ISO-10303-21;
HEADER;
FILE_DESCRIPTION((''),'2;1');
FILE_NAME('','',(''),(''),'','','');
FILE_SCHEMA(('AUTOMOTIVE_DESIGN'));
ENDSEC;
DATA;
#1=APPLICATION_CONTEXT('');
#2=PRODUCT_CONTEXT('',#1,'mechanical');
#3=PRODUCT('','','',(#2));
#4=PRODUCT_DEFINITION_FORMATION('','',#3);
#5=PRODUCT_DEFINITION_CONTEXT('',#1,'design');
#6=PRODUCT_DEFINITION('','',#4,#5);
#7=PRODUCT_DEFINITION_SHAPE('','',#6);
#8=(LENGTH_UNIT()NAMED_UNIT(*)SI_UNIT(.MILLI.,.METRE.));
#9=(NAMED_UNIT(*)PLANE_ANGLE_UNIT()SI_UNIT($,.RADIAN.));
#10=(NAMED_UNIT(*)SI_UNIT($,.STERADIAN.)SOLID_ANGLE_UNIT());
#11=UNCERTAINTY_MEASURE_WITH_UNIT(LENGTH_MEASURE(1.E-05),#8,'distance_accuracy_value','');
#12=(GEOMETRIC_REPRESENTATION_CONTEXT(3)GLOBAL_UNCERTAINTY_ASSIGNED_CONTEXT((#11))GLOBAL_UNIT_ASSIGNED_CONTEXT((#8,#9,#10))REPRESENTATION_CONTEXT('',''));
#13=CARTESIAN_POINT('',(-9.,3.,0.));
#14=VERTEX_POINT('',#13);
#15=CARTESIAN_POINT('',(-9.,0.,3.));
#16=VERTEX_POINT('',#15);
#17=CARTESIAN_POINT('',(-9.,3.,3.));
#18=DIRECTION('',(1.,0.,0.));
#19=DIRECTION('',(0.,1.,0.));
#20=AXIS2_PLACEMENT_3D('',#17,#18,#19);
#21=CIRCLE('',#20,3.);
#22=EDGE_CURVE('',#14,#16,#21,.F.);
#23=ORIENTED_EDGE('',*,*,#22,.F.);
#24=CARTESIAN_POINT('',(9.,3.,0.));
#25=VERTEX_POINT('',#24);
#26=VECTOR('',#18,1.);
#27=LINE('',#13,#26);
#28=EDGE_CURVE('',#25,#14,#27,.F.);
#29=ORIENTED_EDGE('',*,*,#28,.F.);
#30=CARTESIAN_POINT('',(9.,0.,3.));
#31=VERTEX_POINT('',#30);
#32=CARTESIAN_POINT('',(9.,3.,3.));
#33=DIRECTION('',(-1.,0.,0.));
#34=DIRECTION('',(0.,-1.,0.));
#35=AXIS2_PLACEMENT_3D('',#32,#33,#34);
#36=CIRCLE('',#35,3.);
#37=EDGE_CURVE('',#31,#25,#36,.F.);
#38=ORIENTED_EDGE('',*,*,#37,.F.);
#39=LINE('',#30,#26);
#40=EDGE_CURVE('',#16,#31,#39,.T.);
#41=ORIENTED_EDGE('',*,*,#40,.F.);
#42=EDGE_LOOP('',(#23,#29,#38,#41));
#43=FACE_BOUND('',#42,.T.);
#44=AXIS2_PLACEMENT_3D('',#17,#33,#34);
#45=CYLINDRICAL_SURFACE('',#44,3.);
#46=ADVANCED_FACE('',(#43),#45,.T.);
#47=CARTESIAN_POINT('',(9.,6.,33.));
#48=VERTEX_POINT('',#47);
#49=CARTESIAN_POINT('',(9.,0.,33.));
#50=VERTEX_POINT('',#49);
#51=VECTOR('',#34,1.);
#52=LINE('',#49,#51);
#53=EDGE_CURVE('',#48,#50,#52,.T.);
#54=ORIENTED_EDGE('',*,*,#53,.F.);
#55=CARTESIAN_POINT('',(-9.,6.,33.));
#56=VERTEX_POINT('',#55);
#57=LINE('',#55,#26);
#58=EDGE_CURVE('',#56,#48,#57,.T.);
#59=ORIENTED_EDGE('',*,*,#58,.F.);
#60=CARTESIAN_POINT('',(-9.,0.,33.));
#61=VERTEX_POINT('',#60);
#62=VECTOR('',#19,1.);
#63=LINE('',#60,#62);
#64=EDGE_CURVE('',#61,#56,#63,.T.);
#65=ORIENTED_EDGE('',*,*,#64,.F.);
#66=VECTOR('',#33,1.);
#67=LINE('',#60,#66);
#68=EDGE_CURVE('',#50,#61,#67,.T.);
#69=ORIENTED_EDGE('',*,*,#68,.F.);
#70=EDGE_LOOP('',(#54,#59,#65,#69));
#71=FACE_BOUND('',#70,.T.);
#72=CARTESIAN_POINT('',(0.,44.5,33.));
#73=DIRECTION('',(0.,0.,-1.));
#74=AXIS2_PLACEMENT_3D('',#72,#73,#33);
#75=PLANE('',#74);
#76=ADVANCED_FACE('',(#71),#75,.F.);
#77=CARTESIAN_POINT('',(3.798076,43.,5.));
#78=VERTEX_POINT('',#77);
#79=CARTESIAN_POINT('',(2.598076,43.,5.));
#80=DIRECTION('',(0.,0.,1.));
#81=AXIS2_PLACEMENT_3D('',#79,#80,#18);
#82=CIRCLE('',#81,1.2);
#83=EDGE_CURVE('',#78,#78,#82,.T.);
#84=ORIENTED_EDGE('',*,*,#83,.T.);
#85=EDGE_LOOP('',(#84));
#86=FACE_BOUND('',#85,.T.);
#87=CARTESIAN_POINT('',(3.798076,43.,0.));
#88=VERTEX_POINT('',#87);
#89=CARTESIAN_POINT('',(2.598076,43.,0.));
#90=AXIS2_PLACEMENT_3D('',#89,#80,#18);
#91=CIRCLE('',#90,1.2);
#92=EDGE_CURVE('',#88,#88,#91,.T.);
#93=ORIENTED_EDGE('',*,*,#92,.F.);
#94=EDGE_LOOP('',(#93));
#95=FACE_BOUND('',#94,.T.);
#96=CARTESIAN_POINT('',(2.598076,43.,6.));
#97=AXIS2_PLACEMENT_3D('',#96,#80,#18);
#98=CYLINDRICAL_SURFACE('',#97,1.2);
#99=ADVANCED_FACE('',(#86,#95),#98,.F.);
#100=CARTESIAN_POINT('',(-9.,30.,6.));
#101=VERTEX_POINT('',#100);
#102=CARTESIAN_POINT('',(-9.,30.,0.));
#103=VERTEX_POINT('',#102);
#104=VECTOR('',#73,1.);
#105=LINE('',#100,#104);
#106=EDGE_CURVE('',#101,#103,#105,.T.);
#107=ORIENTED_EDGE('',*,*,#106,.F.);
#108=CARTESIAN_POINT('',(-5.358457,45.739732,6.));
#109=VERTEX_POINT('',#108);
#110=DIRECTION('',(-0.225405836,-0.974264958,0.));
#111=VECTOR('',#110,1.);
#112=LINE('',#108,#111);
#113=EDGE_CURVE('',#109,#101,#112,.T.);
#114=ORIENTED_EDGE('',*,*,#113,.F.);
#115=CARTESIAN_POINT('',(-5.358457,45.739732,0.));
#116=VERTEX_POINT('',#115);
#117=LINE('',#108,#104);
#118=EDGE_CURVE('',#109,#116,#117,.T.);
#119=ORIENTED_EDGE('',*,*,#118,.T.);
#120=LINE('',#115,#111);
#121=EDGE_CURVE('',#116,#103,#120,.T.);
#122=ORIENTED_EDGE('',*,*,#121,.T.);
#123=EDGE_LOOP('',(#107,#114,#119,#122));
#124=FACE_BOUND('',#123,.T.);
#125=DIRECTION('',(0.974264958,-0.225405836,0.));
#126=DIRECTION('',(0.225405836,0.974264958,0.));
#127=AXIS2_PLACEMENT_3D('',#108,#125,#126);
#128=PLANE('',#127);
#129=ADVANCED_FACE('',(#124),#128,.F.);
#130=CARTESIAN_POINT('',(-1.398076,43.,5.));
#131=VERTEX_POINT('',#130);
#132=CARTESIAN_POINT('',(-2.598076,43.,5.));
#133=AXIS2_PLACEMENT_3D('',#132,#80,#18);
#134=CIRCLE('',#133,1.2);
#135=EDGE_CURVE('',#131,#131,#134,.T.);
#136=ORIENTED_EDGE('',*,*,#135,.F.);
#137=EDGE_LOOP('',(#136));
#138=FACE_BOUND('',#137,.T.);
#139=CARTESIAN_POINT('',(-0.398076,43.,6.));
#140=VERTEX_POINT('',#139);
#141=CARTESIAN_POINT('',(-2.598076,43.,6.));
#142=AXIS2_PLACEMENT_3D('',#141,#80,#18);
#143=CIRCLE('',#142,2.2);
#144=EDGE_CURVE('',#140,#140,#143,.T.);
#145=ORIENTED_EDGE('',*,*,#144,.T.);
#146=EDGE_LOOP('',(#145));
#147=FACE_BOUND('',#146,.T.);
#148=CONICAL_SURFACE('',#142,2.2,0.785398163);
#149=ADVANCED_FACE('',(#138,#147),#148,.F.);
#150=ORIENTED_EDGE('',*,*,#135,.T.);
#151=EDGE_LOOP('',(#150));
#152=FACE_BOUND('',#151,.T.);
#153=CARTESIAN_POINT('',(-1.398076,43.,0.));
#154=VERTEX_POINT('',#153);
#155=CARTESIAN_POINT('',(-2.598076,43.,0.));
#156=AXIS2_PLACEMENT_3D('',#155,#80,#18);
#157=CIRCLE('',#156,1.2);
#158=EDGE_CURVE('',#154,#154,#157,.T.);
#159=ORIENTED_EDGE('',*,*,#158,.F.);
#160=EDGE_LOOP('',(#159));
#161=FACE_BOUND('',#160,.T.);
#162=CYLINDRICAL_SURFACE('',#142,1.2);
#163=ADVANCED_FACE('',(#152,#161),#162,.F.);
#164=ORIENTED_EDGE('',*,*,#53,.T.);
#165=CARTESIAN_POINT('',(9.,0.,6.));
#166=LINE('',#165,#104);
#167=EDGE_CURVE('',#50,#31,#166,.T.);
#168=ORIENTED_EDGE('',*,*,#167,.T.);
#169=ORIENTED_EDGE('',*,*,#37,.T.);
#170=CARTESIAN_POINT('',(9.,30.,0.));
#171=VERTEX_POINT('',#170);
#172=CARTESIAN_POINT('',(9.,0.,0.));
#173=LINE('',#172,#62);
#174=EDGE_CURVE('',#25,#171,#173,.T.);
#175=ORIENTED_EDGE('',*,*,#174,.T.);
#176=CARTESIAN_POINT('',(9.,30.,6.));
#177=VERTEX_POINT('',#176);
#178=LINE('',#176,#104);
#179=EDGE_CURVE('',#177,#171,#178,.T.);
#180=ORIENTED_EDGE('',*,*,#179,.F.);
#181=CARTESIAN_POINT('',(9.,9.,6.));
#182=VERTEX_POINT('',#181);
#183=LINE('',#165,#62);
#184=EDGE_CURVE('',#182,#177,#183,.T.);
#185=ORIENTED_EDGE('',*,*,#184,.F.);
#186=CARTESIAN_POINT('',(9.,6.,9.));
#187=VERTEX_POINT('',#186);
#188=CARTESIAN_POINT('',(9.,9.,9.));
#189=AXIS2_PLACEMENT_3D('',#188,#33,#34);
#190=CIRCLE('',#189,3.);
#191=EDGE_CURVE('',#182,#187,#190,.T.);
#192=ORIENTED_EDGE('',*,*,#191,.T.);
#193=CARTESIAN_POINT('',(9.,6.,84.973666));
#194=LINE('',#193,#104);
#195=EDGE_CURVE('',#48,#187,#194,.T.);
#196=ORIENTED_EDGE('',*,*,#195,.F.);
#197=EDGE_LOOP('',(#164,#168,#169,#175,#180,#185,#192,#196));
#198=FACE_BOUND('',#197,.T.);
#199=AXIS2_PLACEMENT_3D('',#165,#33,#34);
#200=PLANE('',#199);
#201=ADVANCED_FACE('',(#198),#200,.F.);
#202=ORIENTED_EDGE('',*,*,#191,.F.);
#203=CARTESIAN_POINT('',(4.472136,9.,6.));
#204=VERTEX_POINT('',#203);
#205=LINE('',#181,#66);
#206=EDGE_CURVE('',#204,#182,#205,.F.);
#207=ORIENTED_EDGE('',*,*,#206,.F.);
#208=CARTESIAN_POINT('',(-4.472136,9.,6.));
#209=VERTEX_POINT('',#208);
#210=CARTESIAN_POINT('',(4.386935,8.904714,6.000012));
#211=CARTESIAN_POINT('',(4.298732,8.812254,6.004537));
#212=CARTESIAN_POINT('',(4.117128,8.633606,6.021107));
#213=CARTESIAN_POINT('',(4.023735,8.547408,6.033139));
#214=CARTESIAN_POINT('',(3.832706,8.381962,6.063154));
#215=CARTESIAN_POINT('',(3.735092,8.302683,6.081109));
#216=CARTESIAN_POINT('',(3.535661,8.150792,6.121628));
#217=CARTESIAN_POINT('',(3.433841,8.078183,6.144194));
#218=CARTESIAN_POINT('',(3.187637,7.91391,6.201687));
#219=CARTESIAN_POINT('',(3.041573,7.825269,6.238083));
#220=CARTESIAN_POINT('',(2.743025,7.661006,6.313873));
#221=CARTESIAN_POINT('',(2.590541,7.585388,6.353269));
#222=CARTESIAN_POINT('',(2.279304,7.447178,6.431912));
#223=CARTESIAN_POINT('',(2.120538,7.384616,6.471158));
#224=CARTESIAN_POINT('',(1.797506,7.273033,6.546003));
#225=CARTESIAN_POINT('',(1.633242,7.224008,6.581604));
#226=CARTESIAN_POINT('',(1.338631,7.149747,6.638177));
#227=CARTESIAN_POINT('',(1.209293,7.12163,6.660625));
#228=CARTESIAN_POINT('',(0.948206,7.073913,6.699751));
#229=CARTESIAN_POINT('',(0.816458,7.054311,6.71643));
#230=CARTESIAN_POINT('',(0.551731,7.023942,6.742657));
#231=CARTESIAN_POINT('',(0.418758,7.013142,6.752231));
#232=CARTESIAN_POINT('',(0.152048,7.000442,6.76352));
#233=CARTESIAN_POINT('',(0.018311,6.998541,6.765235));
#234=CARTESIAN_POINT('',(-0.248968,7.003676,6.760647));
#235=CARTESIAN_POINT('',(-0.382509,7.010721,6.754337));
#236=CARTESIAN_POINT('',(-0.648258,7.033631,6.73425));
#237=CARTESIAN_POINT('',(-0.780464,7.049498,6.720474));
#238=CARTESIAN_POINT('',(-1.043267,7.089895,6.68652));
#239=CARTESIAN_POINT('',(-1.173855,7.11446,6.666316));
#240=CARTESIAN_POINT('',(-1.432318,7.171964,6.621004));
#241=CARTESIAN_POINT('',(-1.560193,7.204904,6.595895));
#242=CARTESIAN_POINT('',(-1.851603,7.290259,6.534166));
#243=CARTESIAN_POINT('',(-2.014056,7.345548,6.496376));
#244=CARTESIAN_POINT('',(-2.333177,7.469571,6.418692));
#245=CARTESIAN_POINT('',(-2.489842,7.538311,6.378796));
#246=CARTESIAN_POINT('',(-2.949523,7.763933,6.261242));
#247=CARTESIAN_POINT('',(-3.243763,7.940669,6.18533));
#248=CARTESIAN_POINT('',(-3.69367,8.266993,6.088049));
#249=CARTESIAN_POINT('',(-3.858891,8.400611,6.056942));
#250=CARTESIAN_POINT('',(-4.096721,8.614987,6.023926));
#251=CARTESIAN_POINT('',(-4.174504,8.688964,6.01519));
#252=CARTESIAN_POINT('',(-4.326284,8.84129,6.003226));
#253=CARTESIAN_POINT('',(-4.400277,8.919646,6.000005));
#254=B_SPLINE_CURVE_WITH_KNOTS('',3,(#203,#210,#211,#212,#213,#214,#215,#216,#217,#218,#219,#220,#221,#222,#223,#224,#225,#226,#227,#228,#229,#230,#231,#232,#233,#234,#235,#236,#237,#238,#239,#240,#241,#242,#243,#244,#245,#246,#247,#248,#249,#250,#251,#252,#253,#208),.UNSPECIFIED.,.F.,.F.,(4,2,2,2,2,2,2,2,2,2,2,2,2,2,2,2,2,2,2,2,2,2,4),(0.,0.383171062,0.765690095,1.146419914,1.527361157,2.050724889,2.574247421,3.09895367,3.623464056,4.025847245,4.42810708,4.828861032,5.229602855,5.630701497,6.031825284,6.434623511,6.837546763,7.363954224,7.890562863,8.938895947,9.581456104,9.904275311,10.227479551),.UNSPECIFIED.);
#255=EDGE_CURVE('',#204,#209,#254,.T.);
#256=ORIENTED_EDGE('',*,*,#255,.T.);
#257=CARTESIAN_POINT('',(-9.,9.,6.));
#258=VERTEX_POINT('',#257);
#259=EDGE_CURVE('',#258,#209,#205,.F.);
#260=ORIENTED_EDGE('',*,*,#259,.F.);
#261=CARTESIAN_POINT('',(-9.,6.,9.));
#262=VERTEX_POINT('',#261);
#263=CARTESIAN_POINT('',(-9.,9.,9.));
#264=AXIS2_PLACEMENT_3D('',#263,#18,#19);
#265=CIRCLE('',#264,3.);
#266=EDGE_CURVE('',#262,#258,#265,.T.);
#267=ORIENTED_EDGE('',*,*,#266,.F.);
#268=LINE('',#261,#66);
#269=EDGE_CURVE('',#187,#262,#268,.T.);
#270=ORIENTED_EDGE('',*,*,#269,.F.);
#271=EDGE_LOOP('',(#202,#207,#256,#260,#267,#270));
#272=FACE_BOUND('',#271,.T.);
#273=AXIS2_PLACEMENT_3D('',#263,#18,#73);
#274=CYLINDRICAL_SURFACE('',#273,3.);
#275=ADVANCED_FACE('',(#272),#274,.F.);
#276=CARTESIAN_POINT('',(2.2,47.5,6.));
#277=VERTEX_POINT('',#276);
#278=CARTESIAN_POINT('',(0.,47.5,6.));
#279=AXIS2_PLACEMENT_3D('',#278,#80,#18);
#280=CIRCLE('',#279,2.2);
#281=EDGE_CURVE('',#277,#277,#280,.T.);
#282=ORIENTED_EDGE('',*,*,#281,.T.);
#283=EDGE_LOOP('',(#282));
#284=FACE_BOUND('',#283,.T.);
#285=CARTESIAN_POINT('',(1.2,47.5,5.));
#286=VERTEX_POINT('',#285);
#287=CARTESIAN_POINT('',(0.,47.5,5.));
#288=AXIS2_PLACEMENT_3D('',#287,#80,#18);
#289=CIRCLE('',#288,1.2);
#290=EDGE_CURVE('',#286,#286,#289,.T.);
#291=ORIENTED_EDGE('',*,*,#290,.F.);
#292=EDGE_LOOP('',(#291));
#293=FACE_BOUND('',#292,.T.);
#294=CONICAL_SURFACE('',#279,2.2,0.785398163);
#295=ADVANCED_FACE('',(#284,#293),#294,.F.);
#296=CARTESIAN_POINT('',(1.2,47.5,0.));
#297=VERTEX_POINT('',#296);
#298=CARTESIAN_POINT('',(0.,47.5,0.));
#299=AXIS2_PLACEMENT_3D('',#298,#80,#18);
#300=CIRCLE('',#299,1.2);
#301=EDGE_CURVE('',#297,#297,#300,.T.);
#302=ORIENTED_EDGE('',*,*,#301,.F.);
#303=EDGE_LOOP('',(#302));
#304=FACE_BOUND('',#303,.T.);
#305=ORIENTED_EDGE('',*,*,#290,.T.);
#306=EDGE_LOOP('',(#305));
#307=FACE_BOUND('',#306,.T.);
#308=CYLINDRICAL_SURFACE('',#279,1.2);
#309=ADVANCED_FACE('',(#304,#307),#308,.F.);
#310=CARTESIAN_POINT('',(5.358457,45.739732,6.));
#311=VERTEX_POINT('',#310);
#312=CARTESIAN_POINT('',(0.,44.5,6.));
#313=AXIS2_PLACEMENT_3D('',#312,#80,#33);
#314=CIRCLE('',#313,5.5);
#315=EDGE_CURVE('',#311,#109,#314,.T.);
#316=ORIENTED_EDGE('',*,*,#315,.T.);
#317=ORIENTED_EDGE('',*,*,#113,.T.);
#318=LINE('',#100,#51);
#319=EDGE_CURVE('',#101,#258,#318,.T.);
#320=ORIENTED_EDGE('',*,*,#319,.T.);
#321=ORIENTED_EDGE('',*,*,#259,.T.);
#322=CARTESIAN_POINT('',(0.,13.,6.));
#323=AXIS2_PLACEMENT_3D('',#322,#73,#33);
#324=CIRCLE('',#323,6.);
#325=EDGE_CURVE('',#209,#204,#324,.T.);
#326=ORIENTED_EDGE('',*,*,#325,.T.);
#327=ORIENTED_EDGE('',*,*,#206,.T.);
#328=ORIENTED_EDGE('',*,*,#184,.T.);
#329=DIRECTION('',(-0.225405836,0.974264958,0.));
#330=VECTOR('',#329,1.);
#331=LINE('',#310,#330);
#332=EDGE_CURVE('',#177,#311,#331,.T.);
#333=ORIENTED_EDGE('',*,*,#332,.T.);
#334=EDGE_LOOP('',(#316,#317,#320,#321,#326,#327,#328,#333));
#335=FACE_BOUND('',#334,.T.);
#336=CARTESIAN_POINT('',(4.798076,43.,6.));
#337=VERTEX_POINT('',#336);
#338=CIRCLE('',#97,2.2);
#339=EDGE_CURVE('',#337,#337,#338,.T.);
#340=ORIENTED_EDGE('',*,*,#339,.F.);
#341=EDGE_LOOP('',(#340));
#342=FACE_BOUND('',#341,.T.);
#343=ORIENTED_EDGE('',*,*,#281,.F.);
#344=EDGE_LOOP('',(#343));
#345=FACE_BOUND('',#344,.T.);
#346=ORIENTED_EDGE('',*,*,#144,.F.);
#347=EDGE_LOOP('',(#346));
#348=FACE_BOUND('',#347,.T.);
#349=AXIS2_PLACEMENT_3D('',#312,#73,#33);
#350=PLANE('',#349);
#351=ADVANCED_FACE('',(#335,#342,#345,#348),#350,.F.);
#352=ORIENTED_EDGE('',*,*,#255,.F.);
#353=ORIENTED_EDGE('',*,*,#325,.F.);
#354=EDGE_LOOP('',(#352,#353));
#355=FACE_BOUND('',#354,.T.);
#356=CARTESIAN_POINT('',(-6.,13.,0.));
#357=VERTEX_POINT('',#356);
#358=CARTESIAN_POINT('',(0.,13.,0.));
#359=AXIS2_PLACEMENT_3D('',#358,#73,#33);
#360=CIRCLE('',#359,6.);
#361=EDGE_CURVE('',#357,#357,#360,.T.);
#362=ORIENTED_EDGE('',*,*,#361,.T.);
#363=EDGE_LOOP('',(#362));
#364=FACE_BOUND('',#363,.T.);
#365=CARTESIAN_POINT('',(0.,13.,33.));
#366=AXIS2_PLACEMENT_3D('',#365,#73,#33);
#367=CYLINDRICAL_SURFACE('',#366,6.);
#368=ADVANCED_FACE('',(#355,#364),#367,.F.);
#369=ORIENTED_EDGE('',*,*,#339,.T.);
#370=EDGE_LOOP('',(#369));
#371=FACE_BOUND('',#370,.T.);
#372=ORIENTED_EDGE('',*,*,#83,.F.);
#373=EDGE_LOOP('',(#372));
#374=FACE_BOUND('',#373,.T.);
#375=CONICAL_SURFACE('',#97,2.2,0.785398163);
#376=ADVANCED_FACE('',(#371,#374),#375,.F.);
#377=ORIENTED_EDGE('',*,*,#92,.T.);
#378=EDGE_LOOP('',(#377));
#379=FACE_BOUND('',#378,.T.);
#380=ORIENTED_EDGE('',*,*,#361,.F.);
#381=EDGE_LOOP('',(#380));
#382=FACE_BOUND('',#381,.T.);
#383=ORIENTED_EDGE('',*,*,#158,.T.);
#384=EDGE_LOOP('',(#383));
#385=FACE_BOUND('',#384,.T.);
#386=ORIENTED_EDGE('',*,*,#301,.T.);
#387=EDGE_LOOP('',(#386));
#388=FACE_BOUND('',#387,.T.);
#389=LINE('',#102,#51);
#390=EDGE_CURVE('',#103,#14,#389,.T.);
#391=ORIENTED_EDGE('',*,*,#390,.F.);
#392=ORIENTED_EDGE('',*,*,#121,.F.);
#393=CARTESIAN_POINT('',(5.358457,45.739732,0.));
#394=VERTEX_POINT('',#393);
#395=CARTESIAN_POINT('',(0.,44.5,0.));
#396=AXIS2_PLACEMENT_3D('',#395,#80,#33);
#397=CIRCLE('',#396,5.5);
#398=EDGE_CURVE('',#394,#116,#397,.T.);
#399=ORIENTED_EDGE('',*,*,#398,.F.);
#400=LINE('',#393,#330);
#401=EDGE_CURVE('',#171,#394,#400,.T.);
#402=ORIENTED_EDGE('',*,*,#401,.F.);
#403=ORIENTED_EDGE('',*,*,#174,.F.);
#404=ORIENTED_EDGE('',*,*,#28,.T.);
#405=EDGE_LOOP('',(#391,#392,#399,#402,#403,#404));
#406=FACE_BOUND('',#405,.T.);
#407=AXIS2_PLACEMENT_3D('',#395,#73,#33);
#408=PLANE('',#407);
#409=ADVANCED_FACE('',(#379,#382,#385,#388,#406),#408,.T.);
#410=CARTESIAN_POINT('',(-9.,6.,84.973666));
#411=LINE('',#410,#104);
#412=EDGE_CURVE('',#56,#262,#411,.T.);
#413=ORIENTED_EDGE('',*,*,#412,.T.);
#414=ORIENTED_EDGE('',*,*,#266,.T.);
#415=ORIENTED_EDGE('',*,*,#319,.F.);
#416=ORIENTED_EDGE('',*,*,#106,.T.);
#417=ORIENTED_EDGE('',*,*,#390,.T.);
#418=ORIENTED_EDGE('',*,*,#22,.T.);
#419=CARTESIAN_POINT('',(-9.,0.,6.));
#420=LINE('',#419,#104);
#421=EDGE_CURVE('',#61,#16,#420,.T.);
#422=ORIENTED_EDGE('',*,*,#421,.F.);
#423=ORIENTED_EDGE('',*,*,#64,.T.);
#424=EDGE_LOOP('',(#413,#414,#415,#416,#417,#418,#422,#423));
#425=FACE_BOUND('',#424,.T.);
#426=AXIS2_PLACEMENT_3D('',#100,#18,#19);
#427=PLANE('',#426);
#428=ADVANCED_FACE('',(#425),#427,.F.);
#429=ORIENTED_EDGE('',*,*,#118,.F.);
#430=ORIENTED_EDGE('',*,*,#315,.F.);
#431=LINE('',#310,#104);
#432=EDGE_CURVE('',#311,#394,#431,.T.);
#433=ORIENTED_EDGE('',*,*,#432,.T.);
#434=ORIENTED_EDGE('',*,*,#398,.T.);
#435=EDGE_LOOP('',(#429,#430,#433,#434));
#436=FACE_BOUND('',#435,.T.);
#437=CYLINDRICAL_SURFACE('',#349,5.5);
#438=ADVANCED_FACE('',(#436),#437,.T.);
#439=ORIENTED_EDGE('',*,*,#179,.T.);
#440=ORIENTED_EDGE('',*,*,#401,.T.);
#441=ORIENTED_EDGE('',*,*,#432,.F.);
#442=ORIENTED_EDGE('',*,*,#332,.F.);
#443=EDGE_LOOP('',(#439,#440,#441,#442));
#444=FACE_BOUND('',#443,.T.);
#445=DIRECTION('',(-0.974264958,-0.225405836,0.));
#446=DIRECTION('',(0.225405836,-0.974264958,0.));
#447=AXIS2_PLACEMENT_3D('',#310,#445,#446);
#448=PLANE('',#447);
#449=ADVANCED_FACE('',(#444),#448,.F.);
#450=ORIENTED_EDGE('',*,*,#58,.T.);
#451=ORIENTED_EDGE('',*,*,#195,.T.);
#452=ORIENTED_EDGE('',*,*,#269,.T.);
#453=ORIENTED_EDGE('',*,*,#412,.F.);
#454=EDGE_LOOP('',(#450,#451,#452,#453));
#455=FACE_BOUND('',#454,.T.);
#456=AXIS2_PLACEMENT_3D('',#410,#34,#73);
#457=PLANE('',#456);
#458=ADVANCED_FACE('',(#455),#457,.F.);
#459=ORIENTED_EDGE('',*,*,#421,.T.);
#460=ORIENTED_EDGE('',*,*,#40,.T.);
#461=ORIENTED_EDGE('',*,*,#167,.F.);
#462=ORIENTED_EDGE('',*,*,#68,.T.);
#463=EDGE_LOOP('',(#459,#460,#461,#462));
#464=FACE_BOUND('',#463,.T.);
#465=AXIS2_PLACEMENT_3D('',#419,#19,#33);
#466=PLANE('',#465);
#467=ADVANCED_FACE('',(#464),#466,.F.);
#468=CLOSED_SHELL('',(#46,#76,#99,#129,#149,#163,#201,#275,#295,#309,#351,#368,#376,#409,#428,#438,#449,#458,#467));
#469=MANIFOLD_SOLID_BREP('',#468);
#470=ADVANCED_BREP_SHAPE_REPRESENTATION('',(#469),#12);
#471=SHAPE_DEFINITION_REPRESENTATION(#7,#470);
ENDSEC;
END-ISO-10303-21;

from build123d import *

# Parameters (mm, degrees)
RESSALTO_EXTRUS_O1_DEPTH                             = 6
ESBO_O2_W                                            = 18
ESBO_O2_H                                            = 6
RESSALTO_EXTRUS_O2_DEPTH                             = 27
FILETE1_R                                            = 3
ESBO_O4_R                                            = 6
CORTE_EXTRUS_O1_DEPTH                                = 33
ESCAREADO_PARA_PARAFUSO_DE_M_QUINA_COM_C_D           = 2.4
ESCAREADO_PARA_PARAFUSO_DE_M_QUINA_COM_C_CSINK_D     = 4.4
ESCAREADO_PARA_PARAFUSO_DE_M_QUINA_COM_C_CSINK_ANGLE = 90
PADR_OCIRCULAR1_COUNT                                = 3


with BuildPart() as part:
    # Esboço1 → Ressalto-extrusão1 (new body)
    with BuildSketch(Plane.XY):
        with BuildLine():
            Line((-9, 30), (-9, 0))
            Line((-9, 0), (9, 0))
            Line((9, 0), (9, 30))
            Line((9, 30), (5.358457271, 45.739732099))
            ThreePointArc((5.358457271, 45.739732099), (0, 50), (-5.358457271, 45.739732099))
            Line((-5.358457271, 45.739732099), (-9, 30))
        make_face()
    extrude(amount=RESSALTO_EXTRUS_O1_DEPTH)

    # Esboço2 → Ressalto-extrusão2 (add)
    with BuildSketch(Plane.XY.offset(6)):
        with Locations((0, 3)):
            Rectangle(ESBO_O2_W, ESBO_O2_H)
    extrude(amount=RESSALTO_EXTRUS_O2_DEPTH)

    # Filete1
    filete1_edges = [part.edges().sort_by_distance(p)[0] for p in [
        (0, 6, 6),
        (0, 0, 0),
    ]]
    fillet(filete1_edges, radius=FILETE1_R)

    # Esboço4 → Corte-extrusão1 (cut)
    with BuildSketch(Plane(origin=(0, 0, 0), x_dir=(-1, 0, 0), z_dir=(0, 0, -1))):
        with Locations((0, 13)):
            Circle(ESBO_O4_R)
    extrude(amount=-CORTE_EXTRUS_O1_DEPTH, mode=Mode.SUBTRACT)

    # Escareado para parafuso de máquina com cabeça chata de M22 (through all)
    with Locations(Plane(origin=(0, 47.5, 6), x_dir=(1, 0, 0), z_dir=(0, 0, 1))):
        with Locations((0, 0)):
            escareado_para_parafuso_de_m_quina_com_c = CounterSinkHole(ESCAREADO_PARA_PARAFUSO_DE_M_QUINA_COM_C_D / 2, ESCAREADO_PARA_PARAFUSO_DE_M_QUINA_COM_C_CSINK_D / 2, counter_sink_angle=ESCAREADO_PARA_PARAFUSO_DE_M_QUINA_COM_C_CSINK_ANGLE)

    # PadrãoCircular1: Escareado para parafuso de máquina com cabeça chata de M22 ×3 about axis
    padr_ocircular1_axis = Axis((0, 44.5, 0), (0, 0, 1))
    for i in range(1, PADR_OCIRCULAR1_COUNT):
        add(escareado_para_parafuso_de_m_quina_com_c.rotate(padr_ocircular1_axis, i * 360 / PADR_OCIRCULAR1_COUNT), mode=Mode.SUBTRACT)


solid = part.part
